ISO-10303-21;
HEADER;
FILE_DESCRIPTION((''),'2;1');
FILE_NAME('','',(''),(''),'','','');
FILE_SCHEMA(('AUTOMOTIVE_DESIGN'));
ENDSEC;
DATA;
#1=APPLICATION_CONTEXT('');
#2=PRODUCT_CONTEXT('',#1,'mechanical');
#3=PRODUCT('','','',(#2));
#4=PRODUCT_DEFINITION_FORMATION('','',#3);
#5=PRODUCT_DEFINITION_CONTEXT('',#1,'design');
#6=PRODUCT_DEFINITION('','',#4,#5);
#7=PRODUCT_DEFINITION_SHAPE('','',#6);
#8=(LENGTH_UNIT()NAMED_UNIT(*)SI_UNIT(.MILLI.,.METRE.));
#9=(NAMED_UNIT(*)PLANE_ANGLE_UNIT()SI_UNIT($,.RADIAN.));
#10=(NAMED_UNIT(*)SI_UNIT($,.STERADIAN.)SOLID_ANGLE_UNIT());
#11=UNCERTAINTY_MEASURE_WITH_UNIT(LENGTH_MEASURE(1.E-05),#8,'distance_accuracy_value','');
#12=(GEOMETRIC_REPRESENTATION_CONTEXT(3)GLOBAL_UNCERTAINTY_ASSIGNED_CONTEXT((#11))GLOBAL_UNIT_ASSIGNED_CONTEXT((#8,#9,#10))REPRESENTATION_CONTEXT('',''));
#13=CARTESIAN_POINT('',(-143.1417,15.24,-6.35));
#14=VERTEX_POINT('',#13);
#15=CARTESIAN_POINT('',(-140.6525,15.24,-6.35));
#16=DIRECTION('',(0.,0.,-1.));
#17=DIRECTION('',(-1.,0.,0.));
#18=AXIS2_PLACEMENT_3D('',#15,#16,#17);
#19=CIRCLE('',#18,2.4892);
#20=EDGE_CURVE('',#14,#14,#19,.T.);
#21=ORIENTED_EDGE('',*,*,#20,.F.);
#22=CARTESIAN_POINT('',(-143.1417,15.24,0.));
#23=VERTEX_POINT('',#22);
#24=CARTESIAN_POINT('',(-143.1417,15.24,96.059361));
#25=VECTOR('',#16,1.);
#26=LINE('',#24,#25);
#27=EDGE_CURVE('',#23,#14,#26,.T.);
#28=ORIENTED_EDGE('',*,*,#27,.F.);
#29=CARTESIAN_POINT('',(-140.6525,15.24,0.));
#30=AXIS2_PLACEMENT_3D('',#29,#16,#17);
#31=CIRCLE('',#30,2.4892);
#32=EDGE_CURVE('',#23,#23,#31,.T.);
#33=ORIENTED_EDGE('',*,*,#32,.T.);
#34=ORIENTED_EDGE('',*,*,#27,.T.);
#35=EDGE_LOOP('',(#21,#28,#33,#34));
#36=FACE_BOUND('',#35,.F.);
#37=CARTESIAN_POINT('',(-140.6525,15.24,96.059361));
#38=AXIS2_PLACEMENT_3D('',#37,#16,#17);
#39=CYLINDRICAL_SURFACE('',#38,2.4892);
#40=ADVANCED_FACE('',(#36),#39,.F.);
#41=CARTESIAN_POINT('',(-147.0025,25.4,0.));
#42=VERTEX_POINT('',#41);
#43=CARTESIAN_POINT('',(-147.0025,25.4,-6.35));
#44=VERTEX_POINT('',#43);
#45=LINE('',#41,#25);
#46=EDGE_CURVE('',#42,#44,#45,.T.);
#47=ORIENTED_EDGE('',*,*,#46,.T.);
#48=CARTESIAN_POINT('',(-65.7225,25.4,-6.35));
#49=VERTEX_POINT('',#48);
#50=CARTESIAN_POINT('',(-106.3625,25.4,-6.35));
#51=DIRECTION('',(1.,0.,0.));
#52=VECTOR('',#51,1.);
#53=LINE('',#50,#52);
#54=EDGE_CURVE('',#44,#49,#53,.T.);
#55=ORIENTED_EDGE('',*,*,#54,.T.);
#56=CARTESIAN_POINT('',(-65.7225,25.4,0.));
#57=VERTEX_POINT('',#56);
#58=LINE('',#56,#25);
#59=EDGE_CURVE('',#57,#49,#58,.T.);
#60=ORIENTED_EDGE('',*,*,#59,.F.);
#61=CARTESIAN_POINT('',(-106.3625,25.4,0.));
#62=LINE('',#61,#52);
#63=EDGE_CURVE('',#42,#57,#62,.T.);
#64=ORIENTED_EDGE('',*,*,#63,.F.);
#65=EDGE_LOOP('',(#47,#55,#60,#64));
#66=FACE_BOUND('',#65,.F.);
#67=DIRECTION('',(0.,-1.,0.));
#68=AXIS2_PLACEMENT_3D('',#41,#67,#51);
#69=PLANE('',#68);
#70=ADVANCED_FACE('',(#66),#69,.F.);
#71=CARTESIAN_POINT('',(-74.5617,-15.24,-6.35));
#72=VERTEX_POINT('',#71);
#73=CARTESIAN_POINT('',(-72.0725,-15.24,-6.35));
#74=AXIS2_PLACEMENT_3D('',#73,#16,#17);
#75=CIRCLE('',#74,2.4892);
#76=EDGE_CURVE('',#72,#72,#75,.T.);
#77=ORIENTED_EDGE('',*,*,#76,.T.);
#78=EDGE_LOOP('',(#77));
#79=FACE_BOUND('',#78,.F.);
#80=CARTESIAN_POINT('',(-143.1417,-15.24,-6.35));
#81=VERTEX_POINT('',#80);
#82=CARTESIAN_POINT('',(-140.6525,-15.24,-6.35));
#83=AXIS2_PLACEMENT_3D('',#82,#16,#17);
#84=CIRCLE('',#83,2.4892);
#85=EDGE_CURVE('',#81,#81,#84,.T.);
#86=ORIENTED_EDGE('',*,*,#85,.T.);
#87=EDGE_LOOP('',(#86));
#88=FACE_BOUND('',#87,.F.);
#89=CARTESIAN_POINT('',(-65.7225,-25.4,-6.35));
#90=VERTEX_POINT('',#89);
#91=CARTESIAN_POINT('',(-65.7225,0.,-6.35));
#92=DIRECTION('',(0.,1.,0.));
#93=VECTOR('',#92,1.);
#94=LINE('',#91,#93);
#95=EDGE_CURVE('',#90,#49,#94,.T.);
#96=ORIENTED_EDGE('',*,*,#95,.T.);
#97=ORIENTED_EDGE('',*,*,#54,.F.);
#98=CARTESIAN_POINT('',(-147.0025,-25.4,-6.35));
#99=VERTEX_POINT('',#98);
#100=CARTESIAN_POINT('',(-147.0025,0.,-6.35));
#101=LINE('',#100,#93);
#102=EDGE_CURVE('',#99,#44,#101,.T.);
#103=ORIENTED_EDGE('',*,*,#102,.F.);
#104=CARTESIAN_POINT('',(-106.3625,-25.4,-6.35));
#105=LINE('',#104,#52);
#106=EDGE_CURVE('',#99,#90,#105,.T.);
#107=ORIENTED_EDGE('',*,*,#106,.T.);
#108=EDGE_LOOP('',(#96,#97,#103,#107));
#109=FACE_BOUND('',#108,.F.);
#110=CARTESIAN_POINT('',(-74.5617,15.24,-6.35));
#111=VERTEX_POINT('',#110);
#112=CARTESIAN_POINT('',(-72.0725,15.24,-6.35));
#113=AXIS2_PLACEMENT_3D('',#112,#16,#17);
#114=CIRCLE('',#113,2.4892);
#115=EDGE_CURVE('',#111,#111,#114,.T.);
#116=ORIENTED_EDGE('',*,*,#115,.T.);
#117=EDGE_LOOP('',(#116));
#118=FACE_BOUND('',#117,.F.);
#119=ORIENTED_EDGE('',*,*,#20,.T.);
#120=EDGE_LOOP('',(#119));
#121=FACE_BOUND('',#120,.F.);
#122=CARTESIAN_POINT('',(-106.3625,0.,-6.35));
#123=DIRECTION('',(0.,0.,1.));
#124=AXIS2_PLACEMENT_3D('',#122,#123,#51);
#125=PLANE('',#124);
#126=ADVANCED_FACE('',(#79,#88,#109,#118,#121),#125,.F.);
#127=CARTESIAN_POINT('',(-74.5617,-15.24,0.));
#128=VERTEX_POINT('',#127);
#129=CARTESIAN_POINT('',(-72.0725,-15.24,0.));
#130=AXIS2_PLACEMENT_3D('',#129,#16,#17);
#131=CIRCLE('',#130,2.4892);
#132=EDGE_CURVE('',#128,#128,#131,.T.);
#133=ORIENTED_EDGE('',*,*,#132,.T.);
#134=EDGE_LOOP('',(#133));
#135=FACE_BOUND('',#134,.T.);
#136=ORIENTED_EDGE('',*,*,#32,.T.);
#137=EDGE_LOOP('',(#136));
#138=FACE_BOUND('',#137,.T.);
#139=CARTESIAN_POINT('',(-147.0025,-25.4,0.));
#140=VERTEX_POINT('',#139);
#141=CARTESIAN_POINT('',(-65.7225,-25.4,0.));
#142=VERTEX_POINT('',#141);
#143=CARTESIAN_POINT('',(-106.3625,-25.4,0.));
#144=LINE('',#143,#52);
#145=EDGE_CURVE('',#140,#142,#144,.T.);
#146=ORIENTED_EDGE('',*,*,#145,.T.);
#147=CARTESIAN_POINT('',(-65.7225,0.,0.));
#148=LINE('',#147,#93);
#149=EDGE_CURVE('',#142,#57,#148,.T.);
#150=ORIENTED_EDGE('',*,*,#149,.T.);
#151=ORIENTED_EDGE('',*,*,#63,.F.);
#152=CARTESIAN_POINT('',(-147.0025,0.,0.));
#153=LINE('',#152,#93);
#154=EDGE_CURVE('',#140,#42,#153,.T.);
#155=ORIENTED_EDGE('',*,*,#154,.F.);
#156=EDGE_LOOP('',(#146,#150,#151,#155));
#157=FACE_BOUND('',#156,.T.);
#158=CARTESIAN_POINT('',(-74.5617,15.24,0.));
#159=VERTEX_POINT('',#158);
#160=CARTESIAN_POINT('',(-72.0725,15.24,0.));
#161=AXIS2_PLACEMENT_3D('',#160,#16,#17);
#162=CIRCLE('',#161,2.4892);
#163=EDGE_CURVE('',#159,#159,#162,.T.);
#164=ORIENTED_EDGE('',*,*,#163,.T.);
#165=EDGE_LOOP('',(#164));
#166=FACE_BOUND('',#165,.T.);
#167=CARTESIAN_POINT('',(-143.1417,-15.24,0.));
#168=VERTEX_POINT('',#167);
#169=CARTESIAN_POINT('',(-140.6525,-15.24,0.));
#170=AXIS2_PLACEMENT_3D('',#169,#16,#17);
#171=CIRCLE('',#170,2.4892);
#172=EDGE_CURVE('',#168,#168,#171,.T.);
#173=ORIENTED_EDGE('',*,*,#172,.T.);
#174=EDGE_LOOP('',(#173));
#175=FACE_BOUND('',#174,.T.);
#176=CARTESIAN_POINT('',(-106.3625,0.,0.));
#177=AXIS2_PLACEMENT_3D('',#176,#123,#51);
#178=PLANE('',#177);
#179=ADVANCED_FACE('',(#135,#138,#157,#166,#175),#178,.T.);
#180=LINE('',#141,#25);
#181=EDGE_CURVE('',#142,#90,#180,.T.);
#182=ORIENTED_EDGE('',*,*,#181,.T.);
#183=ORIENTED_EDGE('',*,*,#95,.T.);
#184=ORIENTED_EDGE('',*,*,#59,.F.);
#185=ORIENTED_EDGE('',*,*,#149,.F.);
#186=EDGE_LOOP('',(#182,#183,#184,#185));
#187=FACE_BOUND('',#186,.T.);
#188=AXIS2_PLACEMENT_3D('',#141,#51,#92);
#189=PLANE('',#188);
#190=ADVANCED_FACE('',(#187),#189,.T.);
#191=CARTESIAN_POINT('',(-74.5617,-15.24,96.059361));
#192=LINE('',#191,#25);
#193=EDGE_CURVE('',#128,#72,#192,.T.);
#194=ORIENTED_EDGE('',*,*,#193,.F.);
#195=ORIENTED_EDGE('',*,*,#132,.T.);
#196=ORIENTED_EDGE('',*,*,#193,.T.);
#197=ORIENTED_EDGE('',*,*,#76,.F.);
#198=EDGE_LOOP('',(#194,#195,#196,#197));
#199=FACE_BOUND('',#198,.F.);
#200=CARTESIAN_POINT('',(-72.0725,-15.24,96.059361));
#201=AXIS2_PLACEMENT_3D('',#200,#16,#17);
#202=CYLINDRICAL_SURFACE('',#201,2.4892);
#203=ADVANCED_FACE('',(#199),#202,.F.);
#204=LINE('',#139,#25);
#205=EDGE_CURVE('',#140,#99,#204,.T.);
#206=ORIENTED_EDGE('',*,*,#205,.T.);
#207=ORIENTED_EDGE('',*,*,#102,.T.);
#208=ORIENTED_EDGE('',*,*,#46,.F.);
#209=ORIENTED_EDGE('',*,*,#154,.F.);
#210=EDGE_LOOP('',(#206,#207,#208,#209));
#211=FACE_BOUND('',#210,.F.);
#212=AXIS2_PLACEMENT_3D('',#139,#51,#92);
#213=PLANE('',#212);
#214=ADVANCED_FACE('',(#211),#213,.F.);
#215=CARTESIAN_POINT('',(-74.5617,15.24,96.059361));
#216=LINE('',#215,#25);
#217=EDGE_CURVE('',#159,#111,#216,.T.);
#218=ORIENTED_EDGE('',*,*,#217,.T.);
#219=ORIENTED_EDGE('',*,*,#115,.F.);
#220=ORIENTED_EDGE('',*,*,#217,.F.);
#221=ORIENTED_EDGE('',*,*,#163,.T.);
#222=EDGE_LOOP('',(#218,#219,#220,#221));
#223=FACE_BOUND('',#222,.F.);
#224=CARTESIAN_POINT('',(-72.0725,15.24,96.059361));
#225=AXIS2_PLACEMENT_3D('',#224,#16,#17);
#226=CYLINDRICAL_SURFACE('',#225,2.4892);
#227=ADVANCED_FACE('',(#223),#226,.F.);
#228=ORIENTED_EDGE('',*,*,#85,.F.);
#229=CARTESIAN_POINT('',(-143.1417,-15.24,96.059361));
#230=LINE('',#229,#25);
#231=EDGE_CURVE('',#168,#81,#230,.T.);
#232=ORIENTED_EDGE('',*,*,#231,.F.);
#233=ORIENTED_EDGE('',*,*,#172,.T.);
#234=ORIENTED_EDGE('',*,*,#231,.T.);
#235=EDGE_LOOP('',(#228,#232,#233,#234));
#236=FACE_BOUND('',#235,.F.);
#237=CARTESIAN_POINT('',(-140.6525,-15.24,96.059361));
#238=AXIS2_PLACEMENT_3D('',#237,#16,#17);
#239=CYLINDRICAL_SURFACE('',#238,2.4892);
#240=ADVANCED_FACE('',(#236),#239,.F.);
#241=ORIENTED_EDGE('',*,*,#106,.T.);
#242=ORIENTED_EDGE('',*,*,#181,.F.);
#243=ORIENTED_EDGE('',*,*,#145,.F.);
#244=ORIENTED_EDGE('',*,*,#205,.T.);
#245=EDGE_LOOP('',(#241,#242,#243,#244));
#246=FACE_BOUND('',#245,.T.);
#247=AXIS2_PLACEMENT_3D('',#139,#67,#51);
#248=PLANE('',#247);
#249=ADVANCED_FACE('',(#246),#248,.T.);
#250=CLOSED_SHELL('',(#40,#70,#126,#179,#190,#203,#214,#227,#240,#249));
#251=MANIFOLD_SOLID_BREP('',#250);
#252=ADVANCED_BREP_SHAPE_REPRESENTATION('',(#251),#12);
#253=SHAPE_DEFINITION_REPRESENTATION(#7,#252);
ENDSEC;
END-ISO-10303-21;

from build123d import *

# Parameters (mm, degrees)
F0_W     = 81.28
F0_H     = 50.8
F1_DEPTH = 6.35
F2_D     = 4.9784


with BuildPart() as f1:
    # F0 (on Top) → F1 (new body)
    with BuildSketch(Plane.XY):
        with Locations((-106.3625, 0)):
            Rectangle(F0_W, F0_H)
    extrude(amount=-F1_DEPTH)

    # F2 (through all)
    with Locations(Plane.XY):
        with Locations((-140.6525, 15.24), (-140.6525, -15.24), (-72.0725, 15.24), (-72.0725, -15.24)):
            Hole(F2_D / 2)


solid = f1.part
